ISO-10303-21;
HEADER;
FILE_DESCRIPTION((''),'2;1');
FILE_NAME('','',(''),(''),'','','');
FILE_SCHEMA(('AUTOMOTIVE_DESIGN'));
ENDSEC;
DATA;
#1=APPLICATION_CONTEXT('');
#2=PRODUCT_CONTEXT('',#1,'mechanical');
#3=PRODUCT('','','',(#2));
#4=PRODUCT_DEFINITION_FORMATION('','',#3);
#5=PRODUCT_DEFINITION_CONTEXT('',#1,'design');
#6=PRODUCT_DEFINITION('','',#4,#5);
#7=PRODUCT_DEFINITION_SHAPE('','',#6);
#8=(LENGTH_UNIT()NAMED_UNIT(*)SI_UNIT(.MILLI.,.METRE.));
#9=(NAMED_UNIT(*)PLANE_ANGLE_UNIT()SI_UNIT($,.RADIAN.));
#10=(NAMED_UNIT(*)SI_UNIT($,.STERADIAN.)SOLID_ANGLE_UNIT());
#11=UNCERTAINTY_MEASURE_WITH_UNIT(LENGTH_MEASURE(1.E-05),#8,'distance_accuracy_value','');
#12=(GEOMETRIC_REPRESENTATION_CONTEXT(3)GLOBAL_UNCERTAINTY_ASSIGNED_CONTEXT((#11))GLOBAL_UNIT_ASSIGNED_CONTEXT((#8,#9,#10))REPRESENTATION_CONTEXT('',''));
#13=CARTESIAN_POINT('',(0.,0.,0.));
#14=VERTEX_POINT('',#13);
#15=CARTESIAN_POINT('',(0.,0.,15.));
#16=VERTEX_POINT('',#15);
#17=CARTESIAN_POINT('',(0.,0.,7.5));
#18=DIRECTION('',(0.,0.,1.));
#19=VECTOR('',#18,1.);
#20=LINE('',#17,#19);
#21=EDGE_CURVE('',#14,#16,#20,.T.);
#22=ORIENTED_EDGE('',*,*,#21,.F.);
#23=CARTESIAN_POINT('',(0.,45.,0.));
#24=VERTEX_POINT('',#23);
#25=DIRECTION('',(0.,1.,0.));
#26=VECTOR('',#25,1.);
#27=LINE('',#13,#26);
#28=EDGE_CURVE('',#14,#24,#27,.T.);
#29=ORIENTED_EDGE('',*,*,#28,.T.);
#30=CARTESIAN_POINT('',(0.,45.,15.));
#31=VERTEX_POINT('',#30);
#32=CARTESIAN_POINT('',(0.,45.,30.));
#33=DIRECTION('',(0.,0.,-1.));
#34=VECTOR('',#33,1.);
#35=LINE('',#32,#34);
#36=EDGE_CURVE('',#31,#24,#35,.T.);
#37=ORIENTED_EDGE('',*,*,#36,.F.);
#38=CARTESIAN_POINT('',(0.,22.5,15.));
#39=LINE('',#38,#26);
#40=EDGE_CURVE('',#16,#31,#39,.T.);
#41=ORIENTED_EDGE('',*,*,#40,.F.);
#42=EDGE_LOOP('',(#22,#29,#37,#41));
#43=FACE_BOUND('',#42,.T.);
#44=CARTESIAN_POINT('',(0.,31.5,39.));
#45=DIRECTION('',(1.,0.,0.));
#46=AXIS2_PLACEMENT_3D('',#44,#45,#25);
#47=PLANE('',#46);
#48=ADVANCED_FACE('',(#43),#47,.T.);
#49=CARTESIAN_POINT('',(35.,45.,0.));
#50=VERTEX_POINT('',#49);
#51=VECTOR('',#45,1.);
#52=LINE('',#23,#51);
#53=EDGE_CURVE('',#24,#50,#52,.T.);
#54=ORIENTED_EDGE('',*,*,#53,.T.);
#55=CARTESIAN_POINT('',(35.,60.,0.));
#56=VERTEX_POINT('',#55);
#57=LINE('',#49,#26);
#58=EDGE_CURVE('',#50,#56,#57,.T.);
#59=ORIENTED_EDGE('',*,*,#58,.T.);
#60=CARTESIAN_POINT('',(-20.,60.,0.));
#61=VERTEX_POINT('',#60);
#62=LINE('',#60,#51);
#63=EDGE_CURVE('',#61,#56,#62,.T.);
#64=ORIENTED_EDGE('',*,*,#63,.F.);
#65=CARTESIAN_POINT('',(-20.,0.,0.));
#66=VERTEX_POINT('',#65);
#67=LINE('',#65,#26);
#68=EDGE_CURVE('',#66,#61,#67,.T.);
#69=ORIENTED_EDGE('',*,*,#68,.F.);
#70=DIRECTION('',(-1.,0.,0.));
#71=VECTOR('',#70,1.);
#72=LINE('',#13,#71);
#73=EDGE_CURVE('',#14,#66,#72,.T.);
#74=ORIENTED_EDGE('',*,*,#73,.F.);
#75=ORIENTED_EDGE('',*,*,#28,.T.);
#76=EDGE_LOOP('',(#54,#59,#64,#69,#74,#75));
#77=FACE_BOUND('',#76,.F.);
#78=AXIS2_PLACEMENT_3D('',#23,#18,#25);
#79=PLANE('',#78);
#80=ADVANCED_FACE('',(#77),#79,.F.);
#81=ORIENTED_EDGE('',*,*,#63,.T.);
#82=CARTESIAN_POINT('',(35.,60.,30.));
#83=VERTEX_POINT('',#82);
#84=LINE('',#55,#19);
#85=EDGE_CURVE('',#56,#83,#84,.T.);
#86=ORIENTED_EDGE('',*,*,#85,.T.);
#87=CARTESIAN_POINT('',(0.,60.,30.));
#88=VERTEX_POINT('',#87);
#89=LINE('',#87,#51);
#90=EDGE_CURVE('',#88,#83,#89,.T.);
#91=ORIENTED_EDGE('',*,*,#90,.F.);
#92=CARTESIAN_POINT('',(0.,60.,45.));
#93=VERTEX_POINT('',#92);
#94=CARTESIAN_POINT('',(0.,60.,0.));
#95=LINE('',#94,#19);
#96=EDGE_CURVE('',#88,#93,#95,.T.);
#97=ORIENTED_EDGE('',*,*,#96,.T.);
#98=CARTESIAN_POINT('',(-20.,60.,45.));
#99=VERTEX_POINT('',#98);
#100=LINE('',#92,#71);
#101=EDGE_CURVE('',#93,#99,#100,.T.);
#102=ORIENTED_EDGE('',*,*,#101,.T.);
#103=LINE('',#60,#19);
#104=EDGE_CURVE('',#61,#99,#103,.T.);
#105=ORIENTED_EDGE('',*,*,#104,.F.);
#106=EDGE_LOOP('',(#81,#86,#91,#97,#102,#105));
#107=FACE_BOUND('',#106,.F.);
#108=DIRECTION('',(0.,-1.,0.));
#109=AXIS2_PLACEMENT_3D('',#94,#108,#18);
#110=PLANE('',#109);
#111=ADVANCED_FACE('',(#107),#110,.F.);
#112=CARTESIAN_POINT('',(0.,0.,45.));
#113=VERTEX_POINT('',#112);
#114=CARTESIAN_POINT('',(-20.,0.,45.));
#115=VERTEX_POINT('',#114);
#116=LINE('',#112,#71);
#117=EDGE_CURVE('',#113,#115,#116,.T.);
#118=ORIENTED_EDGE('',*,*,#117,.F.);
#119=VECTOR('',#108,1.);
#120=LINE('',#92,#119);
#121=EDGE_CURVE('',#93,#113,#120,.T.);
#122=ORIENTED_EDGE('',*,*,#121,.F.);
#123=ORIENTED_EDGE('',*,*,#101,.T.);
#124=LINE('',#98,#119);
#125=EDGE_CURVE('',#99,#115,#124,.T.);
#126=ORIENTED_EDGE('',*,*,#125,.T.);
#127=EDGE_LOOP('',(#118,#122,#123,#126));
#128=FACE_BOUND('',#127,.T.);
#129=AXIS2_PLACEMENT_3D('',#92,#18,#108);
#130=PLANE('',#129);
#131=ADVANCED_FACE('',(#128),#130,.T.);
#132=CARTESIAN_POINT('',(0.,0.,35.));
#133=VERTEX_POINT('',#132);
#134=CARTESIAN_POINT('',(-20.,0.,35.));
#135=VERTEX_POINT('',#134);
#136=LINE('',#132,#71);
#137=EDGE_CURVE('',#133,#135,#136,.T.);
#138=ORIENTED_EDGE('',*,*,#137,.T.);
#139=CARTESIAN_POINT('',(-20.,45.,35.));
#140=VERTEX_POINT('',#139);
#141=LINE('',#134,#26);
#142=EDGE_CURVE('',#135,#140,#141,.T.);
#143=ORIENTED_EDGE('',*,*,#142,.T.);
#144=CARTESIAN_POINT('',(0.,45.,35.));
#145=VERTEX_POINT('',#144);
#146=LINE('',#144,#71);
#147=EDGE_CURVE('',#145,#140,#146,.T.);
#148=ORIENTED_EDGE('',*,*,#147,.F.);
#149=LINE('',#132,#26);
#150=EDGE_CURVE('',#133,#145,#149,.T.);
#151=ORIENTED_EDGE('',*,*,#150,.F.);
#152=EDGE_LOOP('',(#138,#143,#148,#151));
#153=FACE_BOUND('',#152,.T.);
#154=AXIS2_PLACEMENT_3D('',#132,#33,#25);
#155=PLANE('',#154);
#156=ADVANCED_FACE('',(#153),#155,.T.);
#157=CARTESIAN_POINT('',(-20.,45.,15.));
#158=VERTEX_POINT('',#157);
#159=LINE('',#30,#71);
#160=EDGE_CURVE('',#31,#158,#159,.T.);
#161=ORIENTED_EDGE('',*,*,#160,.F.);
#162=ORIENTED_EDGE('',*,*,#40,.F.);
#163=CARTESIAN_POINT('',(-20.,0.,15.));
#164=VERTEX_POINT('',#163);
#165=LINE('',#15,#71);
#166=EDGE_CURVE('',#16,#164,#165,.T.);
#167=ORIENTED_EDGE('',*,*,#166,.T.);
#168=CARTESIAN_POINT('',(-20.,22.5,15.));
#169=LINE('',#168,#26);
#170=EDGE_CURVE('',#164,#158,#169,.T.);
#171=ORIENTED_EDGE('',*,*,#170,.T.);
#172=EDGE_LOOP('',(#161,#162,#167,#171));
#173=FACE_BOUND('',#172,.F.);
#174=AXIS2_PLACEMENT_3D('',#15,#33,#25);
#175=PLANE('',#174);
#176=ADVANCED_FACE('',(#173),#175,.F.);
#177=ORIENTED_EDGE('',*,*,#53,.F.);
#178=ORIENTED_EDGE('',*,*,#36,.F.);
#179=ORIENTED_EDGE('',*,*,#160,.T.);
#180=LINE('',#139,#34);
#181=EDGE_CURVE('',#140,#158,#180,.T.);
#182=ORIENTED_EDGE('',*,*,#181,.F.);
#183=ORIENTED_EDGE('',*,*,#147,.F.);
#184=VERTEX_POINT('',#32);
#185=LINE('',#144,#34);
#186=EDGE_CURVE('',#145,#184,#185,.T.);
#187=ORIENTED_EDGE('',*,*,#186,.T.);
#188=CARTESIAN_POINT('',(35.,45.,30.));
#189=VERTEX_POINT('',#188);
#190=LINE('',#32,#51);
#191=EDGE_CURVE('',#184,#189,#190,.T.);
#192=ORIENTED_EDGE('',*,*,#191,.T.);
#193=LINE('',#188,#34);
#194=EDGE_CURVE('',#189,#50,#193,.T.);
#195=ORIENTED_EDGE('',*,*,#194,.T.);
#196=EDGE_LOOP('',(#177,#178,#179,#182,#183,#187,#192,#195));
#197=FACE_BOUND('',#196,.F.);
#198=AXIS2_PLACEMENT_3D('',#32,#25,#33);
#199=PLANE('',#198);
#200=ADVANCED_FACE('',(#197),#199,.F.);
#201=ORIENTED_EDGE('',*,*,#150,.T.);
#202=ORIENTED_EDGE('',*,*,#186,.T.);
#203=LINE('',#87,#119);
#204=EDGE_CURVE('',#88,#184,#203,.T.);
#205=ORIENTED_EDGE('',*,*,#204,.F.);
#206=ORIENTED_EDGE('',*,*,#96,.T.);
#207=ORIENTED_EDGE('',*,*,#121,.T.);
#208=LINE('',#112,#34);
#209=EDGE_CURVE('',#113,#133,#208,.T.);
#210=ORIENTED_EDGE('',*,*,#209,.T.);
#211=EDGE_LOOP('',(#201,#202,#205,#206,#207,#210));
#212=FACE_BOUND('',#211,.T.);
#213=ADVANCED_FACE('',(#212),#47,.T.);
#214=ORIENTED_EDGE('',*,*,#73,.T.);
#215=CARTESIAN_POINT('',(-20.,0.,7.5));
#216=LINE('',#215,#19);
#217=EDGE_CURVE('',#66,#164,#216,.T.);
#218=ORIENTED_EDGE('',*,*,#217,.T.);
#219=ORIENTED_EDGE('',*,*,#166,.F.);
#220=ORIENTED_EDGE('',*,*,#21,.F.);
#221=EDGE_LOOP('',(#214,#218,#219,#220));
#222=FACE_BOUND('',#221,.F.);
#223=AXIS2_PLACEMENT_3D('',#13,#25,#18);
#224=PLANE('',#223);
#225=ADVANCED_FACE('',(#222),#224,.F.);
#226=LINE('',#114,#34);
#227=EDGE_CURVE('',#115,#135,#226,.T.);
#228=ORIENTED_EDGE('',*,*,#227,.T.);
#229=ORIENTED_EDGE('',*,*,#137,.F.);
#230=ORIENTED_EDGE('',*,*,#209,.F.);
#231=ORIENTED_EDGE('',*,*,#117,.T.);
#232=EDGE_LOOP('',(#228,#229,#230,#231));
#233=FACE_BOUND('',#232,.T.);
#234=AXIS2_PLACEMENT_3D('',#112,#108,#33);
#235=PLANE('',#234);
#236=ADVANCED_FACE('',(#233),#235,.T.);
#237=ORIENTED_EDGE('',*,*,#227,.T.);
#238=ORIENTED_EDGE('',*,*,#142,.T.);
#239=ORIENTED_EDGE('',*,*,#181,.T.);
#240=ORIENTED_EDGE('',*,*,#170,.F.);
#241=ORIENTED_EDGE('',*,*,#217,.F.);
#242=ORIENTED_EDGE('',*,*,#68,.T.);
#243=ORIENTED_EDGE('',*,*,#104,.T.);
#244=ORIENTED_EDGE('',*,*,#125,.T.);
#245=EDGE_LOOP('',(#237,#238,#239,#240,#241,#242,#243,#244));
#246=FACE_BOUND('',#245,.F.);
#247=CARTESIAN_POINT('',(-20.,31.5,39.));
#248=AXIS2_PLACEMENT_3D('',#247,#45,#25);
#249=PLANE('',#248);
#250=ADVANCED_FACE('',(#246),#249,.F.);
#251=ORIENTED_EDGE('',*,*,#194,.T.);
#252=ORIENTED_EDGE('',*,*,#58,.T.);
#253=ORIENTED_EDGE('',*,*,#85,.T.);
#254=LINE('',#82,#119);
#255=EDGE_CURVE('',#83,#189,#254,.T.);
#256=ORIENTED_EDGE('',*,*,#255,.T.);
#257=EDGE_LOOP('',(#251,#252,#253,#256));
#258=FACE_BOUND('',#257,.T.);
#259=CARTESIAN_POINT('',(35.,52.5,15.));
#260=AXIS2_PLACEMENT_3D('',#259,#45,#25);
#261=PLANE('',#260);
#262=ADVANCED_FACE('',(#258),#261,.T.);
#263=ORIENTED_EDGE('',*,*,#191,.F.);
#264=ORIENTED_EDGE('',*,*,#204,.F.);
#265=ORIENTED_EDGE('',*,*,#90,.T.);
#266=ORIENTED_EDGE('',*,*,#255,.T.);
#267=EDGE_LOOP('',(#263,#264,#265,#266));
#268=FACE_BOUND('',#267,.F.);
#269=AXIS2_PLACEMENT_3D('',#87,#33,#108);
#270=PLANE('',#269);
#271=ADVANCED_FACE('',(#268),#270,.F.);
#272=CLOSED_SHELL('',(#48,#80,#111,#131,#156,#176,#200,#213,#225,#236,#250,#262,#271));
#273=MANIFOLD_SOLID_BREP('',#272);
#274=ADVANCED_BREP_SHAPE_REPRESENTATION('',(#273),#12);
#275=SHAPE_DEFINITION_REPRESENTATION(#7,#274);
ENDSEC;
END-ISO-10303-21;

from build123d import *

# Parameters (mm, degrees)
F0_W     = 45
F0_H     = 15
F1_DEPTH = 20
F2_DEPTH = 35


with BuildPart() as f1:
    # F0 (on Right) → F1 (new body)
    with BuildSketch(Plane.YZ):
        Polygon((45, 35), (45, 30), (60, 30), (60, 45), (0, 45), (0, 35), align=None)
        Polygon((45, 15), (45, 0), (60, 0), (60, 30), (45, 30), align=None)
        with Locations((22.5, 7.5)):
            Rectangle(F0_W, F0_H)
    extrude(amount=-F1_DEPTH)

    # F0 (on Right) → F2 (join)
    with BuildSketch(Plane.YZ):
        Polygon((45, 15), (45, 0), (60, 0), (60, 30), (45, 30), align=None)
    extrude(amount=F2_DEPTH)


solid = f1.part
